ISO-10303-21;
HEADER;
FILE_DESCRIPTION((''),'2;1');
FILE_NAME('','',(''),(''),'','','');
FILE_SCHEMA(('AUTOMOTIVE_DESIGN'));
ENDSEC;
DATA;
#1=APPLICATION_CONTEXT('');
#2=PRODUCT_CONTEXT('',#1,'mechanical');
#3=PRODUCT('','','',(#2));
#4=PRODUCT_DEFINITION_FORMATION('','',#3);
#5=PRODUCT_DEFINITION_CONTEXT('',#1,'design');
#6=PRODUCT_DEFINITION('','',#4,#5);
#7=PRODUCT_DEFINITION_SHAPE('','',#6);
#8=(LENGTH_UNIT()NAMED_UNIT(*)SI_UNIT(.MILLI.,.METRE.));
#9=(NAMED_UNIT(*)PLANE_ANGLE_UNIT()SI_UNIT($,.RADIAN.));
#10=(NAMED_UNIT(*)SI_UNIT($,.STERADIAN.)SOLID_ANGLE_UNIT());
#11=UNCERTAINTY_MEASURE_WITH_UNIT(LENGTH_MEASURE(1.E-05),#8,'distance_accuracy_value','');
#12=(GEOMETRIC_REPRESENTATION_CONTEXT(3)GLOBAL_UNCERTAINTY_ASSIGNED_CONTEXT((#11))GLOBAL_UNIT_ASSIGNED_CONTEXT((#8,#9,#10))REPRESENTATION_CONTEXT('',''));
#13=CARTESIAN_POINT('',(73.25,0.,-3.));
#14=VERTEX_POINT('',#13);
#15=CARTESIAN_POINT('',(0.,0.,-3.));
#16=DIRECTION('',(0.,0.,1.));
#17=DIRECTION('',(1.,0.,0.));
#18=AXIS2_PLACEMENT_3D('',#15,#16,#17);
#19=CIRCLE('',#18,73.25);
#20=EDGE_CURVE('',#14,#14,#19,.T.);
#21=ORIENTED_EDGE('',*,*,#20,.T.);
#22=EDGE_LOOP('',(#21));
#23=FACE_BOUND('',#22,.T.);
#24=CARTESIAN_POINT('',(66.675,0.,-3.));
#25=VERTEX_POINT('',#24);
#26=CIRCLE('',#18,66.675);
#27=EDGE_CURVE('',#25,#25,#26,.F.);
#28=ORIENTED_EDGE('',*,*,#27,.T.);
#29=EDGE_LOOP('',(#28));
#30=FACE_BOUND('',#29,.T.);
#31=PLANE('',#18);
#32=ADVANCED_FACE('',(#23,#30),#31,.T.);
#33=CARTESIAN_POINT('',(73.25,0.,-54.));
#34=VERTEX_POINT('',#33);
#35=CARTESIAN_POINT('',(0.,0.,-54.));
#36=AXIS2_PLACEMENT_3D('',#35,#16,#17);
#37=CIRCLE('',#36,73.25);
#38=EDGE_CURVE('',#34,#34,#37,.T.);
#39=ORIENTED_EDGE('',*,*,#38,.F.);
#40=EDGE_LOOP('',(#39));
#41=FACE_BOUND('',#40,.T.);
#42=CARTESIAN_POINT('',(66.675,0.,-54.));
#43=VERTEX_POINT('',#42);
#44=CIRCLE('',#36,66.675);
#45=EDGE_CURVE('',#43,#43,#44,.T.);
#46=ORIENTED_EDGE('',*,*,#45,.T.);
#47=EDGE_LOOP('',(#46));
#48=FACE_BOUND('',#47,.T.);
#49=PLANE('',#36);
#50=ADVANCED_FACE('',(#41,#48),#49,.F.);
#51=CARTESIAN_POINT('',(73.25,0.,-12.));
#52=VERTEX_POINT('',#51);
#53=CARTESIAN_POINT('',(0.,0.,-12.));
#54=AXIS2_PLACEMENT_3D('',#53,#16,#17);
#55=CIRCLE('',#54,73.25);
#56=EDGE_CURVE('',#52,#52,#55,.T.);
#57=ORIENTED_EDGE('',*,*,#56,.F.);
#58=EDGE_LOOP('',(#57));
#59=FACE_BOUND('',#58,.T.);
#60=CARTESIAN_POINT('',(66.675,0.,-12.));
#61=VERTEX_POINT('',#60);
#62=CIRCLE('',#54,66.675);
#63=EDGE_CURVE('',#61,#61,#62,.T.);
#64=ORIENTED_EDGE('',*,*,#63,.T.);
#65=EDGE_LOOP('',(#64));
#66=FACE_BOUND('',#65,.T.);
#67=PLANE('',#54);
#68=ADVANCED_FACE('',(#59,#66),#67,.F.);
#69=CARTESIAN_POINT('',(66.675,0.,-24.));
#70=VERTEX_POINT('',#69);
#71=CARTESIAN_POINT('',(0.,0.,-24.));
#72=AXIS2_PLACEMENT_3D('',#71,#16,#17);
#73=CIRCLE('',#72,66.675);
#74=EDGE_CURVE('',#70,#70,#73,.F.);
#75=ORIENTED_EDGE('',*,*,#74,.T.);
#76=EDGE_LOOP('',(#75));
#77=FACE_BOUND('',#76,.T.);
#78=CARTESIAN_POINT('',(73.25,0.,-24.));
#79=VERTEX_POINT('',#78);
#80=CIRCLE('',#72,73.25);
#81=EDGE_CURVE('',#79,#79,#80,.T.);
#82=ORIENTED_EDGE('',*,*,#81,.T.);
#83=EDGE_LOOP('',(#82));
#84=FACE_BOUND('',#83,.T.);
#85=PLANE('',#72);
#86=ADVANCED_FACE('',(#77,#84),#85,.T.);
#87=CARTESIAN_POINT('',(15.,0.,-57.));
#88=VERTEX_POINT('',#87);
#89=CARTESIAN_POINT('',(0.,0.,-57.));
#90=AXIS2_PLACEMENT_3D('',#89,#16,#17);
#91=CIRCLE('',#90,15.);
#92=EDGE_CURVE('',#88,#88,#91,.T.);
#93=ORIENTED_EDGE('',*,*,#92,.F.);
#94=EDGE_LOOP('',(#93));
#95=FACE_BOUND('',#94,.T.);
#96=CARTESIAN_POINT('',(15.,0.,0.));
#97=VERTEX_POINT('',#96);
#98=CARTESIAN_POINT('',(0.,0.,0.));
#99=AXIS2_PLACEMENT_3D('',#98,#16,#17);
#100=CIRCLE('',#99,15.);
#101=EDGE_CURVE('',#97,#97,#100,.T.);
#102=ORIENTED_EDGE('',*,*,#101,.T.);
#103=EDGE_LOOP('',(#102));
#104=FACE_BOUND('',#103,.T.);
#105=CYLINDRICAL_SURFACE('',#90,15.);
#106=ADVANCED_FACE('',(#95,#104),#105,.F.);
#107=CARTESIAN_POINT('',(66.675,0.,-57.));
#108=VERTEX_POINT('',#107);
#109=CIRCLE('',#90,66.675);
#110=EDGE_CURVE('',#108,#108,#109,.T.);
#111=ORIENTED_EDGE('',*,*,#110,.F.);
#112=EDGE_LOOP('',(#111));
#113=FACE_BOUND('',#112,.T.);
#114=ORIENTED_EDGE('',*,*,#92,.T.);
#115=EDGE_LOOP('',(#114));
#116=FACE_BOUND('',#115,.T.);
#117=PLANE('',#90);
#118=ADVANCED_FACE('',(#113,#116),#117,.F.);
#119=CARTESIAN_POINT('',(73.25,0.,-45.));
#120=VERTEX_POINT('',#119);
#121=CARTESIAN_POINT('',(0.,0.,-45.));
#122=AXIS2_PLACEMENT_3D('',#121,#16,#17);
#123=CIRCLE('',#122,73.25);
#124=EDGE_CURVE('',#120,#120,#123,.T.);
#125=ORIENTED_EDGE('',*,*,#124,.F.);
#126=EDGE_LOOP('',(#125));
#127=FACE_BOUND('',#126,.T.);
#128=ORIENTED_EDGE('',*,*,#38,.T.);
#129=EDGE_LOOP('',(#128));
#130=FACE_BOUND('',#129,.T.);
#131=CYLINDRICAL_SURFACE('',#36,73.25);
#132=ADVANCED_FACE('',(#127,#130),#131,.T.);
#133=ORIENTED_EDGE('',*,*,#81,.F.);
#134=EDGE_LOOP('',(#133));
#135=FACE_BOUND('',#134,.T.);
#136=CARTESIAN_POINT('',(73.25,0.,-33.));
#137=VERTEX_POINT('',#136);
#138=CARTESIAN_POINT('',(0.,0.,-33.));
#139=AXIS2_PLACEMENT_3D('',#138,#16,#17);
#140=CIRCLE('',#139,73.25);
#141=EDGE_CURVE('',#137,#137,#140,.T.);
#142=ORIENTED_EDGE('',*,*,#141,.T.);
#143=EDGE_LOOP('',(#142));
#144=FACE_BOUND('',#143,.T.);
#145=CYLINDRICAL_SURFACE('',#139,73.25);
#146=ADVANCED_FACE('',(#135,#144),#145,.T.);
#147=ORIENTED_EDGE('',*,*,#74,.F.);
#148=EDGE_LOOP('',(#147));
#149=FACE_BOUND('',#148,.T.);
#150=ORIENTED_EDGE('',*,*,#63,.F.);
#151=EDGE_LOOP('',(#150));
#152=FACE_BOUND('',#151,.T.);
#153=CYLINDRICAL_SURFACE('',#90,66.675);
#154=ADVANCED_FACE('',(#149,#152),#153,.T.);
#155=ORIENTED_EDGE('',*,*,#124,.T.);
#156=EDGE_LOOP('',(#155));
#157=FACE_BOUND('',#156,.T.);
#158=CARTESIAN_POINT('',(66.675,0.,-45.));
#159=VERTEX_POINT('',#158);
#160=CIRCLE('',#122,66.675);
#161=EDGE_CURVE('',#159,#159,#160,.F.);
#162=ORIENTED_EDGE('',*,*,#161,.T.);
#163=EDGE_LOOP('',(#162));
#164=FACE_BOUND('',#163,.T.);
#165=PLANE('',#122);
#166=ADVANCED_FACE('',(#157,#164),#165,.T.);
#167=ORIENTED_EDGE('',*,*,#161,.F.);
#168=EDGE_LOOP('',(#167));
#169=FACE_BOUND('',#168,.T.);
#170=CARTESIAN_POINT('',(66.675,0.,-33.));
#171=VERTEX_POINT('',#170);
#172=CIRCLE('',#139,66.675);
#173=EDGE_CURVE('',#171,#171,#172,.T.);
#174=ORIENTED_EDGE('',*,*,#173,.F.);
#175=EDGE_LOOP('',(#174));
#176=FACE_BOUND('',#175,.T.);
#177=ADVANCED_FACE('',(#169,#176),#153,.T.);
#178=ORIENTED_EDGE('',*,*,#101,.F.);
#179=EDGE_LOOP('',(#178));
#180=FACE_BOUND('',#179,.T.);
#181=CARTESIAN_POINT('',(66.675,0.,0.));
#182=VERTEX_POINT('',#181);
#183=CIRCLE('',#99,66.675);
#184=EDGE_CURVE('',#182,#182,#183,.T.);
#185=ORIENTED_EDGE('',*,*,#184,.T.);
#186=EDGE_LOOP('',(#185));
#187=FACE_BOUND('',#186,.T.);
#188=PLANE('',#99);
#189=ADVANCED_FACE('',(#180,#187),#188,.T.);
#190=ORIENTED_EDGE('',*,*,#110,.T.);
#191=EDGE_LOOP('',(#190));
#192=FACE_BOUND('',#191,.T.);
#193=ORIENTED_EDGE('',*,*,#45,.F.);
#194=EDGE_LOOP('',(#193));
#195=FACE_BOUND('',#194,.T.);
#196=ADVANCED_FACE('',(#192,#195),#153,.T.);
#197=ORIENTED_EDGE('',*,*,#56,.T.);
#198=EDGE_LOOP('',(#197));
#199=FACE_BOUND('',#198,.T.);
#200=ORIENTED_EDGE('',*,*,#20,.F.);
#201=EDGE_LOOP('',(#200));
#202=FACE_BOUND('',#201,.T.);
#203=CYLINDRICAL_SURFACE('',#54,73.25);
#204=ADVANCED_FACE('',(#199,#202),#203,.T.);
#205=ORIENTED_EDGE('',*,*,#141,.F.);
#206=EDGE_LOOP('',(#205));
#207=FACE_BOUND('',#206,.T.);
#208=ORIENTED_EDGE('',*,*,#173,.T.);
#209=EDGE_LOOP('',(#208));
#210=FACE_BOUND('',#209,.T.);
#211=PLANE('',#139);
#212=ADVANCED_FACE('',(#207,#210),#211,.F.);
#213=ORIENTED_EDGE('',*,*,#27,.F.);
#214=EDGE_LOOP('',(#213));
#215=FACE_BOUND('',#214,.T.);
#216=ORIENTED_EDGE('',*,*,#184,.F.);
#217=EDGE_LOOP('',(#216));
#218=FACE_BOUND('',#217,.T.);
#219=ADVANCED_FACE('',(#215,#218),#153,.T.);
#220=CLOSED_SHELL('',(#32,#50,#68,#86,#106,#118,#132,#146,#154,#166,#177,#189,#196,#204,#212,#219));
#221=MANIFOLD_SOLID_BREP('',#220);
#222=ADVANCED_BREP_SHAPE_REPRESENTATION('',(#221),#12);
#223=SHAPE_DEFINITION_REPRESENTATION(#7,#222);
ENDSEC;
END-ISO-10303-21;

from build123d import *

# Parameters (mm, degrees)
SKETCH1_R           = 66.675
SKETCH1_R_2         = 15
BOSS_EXTRUDE1_DEPTH = 57
SKETCH2_R           = 73.25
SKETCH2_R_2         = 66.675
BOSS_EXTRUDE2_DEPTH = 9
LPATTERN1_COUNT     = 3
LPATTERN1_PITCH     = 21


with BuildPart() as part:
    # Sketch1 → Boss-Extrude1 (new body)
    with BuildSketch(Plane.XY):
        Circle(SKETCH1_R)
        Circle(SKETCH1_R_2, mode=Mode.SUBTRACT)
    extrude(amount=-BOSS_EXTRUDE1_DEPTH)

    # Sketch2 → Boss-Extrude2 (add)
    with BuildSketch(Plane.XY.offset(-3)):
        Circle(SKETCH2_R)
        Circle(SKETCH2_R_2, mode=Mode.SUBTRACT)
    boss_extrude2 = extrude(amount=-BOSS_EXTRUDE2_DEPTH)

    # LPattern1: Boss-Extrude2 ×3
    with Locations(*[(0, 0, -i * LPATTERN1_PITCH) for i in range(1, LPATTERN1_COUNT)]):
        add(boss_extrude2)


solid = part.part
